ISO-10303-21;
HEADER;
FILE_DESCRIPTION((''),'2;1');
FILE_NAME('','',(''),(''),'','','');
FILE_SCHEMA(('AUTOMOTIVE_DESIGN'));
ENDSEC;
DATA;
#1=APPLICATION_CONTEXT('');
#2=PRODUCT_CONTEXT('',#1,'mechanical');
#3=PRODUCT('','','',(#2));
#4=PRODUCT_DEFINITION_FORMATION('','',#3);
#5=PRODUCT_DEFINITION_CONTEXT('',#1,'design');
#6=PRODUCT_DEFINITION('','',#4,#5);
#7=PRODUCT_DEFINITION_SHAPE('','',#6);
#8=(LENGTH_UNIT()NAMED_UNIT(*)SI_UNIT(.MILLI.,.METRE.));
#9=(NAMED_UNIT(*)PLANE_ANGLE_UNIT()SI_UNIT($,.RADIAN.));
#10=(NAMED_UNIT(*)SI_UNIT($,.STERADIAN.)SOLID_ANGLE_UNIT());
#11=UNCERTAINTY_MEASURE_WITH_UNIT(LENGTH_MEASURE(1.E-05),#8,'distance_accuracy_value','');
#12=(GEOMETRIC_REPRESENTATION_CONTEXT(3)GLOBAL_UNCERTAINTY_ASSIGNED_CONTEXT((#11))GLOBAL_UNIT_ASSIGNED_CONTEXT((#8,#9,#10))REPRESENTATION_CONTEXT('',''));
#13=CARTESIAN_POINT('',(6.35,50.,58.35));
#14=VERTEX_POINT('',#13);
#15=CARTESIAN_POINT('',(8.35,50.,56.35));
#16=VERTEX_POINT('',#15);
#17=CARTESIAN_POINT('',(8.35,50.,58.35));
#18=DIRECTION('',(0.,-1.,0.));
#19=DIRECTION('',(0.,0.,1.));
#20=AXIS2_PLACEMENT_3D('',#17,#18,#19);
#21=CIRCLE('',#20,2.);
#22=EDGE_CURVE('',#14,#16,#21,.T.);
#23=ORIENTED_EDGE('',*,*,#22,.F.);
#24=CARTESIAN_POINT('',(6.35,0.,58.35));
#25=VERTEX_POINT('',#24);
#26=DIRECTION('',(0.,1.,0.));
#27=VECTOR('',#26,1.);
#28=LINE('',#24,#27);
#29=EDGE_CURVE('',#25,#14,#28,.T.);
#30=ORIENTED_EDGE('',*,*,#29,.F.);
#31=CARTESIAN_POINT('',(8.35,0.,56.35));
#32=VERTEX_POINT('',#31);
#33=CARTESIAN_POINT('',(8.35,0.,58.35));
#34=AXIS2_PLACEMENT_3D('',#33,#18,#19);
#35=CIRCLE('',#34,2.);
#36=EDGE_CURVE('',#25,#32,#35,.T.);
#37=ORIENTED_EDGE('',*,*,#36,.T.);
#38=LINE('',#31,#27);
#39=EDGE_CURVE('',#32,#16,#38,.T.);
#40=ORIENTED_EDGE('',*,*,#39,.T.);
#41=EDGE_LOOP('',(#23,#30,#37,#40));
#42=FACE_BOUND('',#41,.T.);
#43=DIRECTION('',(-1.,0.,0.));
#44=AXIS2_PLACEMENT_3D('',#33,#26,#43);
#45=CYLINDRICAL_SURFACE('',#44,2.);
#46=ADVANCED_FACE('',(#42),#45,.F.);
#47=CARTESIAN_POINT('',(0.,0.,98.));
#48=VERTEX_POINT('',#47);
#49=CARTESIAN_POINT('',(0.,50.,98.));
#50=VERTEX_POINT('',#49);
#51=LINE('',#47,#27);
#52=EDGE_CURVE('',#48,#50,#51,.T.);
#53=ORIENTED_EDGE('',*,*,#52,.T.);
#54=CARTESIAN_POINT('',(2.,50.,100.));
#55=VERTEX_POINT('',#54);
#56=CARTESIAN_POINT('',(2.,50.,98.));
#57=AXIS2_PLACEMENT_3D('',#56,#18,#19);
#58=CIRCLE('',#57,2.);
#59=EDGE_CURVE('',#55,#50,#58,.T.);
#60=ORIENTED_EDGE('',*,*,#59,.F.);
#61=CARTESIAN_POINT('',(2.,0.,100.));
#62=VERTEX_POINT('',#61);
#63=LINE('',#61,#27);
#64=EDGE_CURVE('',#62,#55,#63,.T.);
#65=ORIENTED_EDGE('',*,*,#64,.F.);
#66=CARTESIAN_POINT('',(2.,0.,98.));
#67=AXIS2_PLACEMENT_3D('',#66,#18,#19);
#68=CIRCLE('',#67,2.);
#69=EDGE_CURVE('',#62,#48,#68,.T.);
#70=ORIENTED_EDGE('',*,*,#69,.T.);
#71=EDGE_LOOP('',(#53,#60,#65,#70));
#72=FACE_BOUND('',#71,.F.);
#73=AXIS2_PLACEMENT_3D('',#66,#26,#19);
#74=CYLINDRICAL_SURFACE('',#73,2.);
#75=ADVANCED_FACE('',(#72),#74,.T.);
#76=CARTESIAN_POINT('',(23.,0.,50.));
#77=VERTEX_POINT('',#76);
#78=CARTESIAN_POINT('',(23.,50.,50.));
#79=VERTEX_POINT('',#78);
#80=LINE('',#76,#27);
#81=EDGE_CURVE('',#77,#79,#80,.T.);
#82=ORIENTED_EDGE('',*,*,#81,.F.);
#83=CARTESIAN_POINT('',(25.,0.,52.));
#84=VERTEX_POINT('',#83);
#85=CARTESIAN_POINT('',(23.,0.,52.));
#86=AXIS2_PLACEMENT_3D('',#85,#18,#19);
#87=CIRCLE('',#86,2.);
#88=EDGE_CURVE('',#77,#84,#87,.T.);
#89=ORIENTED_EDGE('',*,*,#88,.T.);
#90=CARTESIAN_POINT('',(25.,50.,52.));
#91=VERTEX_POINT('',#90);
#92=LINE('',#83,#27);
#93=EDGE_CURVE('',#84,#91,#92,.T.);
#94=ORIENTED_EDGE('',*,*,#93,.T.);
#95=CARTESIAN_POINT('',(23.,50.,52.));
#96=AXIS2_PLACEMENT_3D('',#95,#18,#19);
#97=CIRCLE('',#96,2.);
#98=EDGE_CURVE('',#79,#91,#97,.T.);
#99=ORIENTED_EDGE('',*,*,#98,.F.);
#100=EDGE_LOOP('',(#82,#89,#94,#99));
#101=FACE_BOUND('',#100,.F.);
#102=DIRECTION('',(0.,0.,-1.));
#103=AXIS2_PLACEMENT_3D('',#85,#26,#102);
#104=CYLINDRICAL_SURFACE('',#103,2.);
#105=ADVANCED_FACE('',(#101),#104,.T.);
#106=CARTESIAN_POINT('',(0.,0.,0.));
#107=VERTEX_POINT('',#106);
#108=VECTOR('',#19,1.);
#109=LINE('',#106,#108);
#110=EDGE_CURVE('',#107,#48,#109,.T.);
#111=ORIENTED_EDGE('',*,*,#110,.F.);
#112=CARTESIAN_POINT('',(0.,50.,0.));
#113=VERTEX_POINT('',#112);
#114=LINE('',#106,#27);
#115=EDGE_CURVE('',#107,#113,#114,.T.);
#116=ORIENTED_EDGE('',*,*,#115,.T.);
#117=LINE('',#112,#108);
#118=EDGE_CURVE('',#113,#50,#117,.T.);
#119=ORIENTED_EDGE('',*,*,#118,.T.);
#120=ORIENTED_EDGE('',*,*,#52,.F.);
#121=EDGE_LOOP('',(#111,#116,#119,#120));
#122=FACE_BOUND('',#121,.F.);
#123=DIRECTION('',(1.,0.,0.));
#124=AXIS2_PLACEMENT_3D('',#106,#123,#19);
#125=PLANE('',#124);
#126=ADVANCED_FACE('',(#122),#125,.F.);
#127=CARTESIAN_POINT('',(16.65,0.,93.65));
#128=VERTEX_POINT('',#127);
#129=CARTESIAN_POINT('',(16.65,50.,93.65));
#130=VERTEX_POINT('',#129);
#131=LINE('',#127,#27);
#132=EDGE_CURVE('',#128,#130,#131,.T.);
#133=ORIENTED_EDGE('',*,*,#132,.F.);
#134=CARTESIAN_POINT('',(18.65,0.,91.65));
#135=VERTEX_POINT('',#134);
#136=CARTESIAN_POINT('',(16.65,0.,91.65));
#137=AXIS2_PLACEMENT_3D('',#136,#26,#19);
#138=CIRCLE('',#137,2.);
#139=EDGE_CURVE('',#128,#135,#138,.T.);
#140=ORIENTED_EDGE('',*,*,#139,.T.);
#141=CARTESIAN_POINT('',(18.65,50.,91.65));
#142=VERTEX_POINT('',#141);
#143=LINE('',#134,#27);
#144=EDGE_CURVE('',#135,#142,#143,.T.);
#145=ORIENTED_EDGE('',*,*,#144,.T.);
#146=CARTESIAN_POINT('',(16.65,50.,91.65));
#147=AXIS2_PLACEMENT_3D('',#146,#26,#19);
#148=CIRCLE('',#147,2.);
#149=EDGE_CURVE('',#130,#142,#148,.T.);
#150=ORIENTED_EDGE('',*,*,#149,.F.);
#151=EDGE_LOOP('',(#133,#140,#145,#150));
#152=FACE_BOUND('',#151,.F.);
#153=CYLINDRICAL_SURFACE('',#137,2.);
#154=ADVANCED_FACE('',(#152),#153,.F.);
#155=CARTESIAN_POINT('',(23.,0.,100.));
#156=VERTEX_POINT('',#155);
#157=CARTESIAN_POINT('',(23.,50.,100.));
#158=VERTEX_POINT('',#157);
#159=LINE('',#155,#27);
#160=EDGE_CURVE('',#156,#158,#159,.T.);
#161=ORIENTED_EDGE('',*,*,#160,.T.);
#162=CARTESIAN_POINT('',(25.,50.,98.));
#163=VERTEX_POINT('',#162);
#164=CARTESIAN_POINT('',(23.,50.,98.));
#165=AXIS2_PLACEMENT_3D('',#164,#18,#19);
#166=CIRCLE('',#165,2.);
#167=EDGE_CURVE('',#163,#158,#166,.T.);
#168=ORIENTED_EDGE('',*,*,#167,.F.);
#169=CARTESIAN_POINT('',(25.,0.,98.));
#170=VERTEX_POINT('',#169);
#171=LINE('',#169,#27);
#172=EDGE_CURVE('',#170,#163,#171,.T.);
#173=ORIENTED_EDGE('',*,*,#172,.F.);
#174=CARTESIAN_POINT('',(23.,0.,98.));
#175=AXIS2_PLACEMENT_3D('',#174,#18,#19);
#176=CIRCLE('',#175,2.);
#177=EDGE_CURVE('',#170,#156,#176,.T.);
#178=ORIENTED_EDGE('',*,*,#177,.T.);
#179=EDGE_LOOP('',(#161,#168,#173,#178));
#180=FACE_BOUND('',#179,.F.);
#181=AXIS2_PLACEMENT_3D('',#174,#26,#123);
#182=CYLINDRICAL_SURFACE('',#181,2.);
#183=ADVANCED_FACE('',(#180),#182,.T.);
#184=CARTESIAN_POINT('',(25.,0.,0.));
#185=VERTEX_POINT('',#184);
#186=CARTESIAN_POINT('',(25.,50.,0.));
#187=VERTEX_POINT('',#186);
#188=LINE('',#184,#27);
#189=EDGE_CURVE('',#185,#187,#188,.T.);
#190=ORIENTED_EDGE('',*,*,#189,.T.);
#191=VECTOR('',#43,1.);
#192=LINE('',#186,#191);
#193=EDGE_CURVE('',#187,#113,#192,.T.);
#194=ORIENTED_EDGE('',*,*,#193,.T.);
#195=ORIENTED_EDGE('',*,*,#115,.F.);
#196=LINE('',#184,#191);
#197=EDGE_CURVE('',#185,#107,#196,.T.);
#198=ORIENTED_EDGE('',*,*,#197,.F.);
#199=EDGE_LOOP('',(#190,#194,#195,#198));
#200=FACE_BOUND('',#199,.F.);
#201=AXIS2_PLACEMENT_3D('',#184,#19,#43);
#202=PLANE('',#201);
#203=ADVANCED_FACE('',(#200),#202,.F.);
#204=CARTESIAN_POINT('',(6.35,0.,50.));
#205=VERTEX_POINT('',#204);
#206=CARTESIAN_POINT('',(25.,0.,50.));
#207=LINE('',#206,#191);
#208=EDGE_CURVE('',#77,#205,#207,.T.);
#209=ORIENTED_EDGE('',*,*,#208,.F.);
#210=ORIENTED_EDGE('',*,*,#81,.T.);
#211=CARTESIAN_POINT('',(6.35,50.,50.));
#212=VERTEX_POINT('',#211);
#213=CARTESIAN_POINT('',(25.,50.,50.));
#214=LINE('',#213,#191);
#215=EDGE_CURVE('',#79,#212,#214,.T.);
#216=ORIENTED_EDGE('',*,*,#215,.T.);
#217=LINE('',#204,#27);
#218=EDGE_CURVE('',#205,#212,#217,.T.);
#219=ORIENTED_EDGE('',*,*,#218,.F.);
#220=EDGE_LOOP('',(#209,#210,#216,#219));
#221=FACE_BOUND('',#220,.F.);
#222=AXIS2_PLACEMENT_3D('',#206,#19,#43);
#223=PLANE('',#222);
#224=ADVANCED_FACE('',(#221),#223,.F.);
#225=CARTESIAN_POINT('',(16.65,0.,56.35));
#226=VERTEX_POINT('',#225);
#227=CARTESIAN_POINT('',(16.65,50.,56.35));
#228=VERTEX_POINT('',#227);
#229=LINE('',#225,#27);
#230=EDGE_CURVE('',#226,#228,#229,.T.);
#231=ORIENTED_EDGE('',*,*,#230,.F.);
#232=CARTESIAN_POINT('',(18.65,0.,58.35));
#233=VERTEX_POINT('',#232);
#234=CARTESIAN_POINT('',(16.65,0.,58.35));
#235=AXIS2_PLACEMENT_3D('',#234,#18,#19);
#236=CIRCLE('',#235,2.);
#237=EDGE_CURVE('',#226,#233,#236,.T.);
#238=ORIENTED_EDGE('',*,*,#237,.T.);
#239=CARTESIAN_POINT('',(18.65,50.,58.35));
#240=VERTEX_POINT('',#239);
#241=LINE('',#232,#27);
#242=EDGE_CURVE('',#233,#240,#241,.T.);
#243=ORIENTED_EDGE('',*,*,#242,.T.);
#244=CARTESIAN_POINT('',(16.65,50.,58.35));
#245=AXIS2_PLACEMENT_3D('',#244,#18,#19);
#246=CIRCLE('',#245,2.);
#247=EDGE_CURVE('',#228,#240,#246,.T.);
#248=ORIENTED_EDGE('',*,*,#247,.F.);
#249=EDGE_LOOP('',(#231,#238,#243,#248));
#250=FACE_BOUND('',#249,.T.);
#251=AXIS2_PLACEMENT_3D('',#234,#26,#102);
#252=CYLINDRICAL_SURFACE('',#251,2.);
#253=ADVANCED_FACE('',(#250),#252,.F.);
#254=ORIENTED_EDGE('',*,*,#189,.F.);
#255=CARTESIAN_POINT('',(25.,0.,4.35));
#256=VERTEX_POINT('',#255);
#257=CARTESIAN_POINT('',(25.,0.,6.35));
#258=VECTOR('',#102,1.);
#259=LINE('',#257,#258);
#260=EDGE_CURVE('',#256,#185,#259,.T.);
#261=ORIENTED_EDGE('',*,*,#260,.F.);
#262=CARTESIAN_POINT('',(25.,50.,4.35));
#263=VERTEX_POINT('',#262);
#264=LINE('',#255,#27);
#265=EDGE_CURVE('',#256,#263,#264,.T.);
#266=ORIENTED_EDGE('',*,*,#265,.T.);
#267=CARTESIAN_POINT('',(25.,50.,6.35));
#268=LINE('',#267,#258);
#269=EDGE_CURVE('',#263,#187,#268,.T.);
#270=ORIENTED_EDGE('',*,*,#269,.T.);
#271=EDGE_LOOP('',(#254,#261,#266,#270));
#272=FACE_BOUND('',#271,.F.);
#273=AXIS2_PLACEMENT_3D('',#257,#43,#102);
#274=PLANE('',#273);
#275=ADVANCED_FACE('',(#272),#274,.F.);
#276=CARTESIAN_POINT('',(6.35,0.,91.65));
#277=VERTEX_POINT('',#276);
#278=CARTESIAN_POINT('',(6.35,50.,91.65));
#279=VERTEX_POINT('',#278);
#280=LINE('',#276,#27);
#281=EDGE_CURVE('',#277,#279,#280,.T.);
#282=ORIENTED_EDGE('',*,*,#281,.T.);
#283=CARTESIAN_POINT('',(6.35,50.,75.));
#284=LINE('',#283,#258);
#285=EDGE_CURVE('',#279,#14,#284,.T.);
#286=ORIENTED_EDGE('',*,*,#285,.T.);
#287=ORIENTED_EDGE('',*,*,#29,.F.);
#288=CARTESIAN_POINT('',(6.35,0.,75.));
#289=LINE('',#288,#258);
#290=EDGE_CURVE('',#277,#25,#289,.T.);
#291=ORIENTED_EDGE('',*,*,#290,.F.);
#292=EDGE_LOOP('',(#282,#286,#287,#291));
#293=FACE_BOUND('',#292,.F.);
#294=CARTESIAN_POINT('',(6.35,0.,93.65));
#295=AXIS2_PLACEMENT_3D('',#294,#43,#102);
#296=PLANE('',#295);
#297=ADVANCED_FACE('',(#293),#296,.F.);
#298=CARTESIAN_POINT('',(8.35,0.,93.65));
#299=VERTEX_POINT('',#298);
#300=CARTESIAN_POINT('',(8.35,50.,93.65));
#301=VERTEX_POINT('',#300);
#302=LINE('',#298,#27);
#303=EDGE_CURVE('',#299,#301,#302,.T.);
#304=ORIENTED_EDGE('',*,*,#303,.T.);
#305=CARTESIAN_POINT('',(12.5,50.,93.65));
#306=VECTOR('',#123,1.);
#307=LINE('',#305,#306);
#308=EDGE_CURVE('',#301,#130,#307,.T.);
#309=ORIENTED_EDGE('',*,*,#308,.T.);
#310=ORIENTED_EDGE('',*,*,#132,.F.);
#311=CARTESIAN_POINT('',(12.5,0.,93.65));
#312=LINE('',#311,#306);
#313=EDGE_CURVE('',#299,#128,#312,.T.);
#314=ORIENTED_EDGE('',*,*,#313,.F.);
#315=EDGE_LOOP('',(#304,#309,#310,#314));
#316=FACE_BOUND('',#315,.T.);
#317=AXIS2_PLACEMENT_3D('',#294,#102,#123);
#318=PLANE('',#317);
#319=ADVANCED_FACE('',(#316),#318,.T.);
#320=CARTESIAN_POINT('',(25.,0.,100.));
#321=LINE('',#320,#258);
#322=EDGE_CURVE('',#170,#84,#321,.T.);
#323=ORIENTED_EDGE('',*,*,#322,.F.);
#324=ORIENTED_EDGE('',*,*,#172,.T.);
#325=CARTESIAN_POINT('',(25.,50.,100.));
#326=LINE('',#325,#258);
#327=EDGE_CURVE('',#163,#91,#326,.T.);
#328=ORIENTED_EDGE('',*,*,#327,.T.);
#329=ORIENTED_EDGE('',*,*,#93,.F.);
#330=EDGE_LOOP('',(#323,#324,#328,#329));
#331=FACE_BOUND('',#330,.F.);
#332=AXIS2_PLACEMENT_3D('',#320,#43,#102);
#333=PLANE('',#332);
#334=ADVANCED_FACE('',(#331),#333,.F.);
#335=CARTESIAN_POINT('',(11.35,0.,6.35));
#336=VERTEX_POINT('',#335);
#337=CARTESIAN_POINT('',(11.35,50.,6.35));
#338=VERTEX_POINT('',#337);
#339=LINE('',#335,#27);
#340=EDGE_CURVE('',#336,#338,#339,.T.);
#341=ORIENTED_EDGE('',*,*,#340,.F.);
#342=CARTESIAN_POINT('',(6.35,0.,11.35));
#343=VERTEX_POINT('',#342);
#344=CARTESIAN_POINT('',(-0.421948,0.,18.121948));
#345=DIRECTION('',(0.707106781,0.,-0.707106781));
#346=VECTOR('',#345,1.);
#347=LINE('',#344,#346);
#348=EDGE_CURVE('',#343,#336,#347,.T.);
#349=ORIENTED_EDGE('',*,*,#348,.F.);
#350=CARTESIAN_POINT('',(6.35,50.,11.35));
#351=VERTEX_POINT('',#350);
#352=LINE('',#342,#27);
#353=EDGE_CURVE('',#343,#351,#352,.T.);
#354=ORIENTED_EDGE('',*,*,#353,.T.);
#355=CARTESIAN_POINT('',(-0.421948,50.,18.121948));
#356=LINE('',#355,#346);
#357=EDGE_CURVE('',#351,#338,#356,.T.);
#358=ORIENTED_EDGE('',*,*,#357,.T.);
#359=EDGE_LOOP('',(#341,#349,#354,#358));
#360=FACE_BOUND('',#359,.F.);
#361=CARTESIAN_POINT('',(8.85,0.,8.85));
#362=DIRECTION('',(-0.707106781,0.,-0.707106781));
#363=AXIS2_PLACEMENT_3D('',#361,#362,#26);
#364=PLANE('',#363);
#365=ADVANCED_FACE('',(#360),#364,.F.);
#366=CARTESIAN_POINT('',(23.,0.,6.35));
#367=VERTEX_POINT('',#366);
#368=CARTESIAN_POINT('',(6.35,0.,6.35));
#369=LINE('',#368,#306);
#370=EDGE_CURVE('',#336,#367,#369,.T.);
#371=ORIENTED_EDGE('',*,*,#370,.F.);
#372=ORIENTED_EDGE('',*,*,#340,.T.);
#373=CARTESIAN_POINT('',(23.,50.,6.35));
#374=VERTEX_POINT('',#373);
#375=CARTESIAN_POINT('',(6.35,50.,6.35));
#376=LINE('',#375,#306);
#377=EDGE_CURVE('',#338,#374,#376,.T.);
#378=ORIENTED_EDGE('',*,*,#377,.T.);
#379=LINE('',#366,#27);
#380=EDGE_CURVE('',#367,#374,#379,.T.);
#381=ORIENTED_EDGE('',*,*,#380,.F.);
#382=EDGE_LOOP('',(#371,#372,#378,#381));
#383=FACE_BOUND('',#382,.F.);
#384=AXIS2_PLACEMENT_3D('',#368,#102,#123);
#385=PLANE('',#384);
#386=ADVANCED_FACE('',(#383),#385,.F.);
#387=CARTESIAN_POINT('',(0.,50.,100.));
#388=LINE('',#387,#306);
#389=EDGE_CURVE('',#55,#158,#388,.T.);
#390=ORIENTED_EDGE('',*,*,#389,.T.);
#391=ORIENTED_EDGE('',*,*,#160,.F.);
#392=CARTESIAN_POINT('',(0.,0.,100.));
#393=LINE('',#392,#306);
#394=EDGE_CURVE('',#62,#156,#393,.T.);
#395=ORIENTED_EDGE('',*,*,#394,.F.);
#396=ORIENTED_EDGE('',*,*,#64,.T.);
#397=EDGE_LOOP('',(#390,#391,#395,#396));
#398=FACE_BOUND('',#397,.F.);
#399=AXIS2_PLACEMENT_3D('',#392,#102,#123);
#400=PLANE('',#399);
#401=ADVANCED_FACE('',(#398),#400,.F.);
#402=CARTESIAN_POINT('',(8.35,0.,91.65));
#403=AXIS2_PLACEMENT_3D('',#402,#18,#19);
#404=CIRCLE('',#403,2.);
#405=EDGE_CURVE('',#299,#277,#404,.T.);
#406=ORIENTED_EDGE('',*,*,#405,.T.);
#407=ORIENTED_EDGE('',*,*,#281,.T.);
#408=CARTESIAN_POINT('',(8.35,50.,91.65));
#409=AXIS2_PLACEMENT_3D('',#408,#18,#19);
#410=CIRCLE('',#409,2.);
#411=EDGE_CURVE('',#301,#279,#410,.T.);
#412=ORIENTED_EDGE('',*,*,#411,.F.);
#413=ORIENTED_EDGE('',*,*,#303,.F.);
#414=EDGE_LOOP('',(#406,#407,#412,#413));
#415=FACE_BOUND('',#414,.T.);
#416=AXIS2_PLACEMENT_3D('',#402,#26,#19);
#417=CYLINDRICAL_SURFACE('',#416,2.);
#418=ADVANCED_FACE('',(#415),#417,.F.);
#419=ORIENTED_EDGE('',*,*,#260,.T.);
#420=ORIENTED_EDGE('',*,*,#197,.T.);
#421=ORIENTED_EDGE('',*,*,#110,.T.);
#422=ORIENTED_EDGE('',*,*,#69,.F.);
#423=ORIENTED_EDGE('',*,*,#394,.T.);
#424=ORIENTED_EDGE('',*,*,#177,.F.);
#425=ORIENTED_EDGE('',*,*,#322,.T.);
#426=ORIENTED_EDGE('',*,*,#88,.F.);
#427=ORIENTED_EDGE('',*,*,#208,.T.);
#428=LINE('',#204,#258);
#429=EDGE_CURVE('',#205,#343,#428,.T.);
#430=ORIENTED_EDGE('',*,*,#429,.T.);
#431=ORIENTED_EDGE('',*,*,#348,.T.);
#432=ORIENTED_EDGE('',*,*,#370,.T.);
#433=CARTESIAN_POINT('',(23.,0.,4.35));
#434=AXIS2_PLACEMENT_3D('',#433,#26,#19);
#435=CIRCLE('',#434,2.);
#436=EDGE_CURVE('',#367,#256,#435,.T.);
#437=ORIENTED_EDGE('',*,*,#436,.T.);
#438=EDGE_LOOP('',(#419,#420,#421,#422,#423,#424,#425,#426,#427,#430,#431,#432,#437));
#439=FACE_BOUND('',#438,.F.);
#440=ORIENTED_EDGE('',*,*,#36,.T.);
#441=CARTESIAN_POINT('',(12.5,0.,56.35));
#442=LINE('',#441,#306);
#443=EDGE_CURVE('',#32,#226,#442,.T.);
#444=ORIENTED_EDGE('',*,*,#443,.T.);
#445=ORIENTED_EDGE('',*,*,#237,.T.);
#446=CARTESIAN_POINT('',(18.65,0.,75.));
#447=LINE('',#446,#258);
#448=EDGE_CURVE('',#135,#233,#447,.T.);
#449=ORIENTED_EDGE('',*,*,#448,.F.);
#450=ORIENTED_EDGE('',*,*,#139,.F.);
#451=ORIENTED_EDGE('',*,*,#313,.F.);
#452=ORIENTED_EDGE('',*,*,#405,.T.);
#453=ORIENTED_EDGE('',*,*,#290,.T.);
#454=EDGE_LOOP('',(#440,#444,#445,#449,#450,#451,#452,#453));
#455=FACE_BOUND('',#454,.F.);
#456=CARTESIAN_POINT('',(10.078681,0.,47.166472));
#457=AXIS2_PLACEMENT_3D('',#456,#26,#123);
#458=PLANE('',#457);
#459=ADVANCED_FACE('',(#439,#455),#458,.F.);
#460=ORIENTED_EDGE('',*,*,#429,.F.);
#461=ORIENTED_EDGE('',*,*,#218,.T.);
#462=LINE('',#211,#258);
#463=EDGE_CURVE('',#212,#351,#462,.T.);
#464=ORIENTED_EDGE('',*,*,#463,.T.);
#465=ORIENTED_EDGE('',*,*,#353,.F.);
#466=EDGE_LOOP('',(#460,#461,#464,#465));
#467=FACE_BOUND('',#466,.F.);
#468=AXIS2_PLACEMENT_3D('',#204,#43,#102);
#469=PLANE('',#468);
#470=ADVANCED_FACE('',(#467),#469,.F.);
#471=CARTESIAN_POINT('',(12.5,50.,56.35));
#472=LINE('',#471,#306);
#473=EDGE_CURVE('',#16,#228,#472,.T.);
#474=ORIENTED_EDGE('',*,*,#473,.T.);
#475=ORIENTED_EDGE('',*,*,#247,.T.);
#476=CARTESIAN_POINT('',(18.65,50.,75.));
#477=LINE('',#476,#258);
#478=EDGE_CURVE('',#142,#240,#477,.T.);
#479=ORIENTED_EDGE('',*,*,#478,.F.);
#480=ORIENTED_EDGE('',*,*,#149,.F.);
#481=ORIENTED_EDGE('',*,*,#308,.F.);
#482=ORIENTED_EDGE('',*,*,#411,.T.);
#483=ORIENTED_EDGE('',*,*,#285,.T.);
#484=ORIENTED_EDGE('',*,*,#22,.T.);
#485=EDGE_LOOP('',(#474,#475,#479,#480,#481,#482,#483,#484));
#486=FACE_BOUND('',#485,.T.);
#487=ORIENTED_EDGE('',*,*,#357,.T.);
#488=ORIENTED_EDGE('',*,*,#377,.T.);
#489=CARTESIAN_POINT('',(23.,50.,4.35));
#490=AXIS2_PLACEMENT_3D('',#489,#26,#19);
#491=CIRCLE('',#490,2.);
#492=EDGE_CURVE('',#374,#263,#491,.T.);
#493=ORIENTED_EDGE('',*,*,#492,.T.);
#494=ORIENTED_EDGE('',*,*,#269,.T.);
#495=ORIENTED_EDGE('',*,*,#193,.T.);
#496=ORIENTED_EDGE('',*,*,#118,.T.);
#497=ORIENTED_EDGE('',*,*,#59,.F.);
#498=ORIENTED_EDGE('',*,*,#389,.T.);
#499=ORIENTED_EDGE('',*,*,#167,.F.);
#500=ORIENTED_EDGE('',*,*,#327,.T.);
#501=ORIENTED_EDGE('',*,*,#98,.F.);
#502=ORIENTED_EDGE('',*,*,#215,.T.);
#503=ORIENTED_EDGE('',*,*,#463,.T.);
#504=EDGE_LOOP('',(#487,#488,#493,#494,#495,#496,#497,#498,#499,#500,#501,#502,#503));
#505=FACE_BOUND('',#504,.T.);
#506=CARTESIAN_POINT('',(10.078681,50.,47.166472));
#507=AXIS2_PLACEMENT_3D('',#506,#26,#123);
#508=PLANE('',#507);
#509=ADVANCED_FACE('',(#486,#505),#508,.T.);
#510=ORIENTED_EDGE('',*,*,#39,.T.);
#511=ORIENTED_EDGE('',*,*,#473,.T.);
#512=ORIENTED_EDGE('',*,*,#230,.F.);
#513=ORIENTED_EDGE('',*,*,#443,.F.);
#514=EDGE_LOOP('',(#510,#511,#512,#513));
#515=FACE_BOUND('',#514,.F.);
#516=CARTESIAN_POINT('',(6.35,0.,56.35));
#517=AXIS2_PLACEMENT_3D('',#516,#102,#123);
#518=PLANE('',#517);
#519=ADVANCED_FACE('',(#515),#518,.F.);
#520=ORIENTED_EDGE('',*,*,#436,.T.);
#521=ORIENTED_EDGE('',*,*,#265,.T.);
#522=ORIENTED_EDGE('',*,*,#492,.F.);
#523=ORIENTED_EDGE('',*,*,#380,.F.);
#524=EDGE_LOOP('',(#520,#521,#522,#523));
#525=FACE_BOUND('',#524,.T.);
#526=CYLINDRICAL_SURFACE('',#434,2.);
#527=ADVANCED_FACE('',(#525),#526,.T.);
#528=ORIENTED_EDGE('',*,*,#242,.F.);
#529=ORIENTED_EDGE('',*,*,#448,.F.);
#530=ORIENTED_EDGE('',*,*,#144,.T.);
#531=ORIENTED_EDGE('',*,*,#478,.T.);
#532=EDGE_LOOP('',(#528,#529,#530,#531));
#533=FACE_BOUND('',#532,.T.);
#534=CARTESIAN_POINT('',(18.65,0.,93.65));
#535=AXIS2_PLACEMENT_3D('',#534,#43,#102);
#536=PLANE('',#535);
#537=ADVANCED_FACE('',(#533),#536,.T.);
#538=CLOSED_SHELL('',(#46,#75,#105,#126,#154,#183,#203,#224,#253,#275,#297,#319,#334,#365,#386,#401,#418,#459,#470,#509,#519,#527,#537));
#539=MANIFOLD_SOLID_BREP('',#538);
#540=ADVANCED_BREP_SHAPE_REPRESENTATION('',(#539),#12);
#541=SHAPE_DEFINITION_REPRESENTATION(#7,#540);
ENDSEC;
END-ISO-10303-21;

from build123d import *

# Parameters (mm, degrees)
BINDER_FACE1_W = 12.3
BINDER_FACE1_H = 37.3
PAD_DEPTH      = 50
CHAMFER_SIZE   = 5
FILLET_R       = 2
FILLET001_R    = 2
FILLET002_R    = 2
FILLET003_R    = 2
FILLET004_R    = 2
FILLET005_R    = 2
FILLET006_R    = 2
FILLET007_R    = 2


with BuildPart() as part:
    # Binder Face1 → Pad (new)
    with BuildSketch(Plane(origin=(10.393732, 0, 55.131766), x_dir=(1, 0, 0), z_dir=(0, 1, 0))):
        Polygon((14.606268, 5.131766), (-4.043732, 5.131766), (-4.043732, 48.781766), (14.606268, 48.781766), (14.606268, 55.131766), (-10.393732, 55.131766), (-10.393732, -44.868234), (14.606268, -44.868234), align=None)
        with Locations((2.106268, -19.868234)):
            Rectangle(BINDER_FACE1_W, BINDER_FACE1_H, mode=Mode.SUBTRACT)
    extrude(amount=PAD_DEPTH)

    # Chamfer
    chamfer_edges = [part.edges().sort_by_distance(p)[0] for p in [
        (6.35, 25, 6.35),
    ]]
    chamfer(chamfer_edges, length=CHAMFER_SIZE)

    # Fillet
    fillet_edges = [part.edges().sort_by_distance(p)[0] for p in [
        (25, 25, 6.35),
    ]]
    fillet(fillet_edges, radius=FILLET_R)

    # Fillet001
    fillet001_edges = [part.edges().sort_by_distance(p)[0] for p in [
        (25, 25, 50),
    ]]
    fillet(fillet001_edges, radius=FILLET001_R)

    # Fillet002
    fillet002_edges = [part.edges().sort_by_distance(p)[0] for p in [
        (25, 25, 100),
    ]]
    fillet(fillet002_edges, radius=FILLET002_R)

    # Fillet003
    fillet003_edges = [part.edges().sort_by_distance(p)[0] for p in [
        (0, 25, 100),
    ]]
    fillet(fillet003_edges, radius=FILLET003_R)

    # Fillet004
    fillet004_edges = [part.edges().sort_by_distance(p)[0] for p in [
        (6.35, 25, 93.65),
    ]]
    fillet(fillet004_edges, radius=FILLET004_R)

    # Fillet005
    fillet005_edges = [part.edges().sort_by_distance(p)[0] for p in [
        (18.65, 25, 93.65),
    ]]
    fillet(fillet005_edges, radius=FILLET005_R)

    # Fillet006
    fillet006_edges = [part.edges().sort_by_distance(p)[0] for p in [
        (6.35, 25, 56.35),
    ]]
    fillet(fillet006_edges, radius=FILLET006_R)

    # Fillet007
    fillet007_edges = [part.edges().sort_by_distance(p)[0] for p in [
        (18.65, 25, 56.35),
    ]]
    fillet(fillet007_edges, radius=FILLET007_R)


solid = part.part
